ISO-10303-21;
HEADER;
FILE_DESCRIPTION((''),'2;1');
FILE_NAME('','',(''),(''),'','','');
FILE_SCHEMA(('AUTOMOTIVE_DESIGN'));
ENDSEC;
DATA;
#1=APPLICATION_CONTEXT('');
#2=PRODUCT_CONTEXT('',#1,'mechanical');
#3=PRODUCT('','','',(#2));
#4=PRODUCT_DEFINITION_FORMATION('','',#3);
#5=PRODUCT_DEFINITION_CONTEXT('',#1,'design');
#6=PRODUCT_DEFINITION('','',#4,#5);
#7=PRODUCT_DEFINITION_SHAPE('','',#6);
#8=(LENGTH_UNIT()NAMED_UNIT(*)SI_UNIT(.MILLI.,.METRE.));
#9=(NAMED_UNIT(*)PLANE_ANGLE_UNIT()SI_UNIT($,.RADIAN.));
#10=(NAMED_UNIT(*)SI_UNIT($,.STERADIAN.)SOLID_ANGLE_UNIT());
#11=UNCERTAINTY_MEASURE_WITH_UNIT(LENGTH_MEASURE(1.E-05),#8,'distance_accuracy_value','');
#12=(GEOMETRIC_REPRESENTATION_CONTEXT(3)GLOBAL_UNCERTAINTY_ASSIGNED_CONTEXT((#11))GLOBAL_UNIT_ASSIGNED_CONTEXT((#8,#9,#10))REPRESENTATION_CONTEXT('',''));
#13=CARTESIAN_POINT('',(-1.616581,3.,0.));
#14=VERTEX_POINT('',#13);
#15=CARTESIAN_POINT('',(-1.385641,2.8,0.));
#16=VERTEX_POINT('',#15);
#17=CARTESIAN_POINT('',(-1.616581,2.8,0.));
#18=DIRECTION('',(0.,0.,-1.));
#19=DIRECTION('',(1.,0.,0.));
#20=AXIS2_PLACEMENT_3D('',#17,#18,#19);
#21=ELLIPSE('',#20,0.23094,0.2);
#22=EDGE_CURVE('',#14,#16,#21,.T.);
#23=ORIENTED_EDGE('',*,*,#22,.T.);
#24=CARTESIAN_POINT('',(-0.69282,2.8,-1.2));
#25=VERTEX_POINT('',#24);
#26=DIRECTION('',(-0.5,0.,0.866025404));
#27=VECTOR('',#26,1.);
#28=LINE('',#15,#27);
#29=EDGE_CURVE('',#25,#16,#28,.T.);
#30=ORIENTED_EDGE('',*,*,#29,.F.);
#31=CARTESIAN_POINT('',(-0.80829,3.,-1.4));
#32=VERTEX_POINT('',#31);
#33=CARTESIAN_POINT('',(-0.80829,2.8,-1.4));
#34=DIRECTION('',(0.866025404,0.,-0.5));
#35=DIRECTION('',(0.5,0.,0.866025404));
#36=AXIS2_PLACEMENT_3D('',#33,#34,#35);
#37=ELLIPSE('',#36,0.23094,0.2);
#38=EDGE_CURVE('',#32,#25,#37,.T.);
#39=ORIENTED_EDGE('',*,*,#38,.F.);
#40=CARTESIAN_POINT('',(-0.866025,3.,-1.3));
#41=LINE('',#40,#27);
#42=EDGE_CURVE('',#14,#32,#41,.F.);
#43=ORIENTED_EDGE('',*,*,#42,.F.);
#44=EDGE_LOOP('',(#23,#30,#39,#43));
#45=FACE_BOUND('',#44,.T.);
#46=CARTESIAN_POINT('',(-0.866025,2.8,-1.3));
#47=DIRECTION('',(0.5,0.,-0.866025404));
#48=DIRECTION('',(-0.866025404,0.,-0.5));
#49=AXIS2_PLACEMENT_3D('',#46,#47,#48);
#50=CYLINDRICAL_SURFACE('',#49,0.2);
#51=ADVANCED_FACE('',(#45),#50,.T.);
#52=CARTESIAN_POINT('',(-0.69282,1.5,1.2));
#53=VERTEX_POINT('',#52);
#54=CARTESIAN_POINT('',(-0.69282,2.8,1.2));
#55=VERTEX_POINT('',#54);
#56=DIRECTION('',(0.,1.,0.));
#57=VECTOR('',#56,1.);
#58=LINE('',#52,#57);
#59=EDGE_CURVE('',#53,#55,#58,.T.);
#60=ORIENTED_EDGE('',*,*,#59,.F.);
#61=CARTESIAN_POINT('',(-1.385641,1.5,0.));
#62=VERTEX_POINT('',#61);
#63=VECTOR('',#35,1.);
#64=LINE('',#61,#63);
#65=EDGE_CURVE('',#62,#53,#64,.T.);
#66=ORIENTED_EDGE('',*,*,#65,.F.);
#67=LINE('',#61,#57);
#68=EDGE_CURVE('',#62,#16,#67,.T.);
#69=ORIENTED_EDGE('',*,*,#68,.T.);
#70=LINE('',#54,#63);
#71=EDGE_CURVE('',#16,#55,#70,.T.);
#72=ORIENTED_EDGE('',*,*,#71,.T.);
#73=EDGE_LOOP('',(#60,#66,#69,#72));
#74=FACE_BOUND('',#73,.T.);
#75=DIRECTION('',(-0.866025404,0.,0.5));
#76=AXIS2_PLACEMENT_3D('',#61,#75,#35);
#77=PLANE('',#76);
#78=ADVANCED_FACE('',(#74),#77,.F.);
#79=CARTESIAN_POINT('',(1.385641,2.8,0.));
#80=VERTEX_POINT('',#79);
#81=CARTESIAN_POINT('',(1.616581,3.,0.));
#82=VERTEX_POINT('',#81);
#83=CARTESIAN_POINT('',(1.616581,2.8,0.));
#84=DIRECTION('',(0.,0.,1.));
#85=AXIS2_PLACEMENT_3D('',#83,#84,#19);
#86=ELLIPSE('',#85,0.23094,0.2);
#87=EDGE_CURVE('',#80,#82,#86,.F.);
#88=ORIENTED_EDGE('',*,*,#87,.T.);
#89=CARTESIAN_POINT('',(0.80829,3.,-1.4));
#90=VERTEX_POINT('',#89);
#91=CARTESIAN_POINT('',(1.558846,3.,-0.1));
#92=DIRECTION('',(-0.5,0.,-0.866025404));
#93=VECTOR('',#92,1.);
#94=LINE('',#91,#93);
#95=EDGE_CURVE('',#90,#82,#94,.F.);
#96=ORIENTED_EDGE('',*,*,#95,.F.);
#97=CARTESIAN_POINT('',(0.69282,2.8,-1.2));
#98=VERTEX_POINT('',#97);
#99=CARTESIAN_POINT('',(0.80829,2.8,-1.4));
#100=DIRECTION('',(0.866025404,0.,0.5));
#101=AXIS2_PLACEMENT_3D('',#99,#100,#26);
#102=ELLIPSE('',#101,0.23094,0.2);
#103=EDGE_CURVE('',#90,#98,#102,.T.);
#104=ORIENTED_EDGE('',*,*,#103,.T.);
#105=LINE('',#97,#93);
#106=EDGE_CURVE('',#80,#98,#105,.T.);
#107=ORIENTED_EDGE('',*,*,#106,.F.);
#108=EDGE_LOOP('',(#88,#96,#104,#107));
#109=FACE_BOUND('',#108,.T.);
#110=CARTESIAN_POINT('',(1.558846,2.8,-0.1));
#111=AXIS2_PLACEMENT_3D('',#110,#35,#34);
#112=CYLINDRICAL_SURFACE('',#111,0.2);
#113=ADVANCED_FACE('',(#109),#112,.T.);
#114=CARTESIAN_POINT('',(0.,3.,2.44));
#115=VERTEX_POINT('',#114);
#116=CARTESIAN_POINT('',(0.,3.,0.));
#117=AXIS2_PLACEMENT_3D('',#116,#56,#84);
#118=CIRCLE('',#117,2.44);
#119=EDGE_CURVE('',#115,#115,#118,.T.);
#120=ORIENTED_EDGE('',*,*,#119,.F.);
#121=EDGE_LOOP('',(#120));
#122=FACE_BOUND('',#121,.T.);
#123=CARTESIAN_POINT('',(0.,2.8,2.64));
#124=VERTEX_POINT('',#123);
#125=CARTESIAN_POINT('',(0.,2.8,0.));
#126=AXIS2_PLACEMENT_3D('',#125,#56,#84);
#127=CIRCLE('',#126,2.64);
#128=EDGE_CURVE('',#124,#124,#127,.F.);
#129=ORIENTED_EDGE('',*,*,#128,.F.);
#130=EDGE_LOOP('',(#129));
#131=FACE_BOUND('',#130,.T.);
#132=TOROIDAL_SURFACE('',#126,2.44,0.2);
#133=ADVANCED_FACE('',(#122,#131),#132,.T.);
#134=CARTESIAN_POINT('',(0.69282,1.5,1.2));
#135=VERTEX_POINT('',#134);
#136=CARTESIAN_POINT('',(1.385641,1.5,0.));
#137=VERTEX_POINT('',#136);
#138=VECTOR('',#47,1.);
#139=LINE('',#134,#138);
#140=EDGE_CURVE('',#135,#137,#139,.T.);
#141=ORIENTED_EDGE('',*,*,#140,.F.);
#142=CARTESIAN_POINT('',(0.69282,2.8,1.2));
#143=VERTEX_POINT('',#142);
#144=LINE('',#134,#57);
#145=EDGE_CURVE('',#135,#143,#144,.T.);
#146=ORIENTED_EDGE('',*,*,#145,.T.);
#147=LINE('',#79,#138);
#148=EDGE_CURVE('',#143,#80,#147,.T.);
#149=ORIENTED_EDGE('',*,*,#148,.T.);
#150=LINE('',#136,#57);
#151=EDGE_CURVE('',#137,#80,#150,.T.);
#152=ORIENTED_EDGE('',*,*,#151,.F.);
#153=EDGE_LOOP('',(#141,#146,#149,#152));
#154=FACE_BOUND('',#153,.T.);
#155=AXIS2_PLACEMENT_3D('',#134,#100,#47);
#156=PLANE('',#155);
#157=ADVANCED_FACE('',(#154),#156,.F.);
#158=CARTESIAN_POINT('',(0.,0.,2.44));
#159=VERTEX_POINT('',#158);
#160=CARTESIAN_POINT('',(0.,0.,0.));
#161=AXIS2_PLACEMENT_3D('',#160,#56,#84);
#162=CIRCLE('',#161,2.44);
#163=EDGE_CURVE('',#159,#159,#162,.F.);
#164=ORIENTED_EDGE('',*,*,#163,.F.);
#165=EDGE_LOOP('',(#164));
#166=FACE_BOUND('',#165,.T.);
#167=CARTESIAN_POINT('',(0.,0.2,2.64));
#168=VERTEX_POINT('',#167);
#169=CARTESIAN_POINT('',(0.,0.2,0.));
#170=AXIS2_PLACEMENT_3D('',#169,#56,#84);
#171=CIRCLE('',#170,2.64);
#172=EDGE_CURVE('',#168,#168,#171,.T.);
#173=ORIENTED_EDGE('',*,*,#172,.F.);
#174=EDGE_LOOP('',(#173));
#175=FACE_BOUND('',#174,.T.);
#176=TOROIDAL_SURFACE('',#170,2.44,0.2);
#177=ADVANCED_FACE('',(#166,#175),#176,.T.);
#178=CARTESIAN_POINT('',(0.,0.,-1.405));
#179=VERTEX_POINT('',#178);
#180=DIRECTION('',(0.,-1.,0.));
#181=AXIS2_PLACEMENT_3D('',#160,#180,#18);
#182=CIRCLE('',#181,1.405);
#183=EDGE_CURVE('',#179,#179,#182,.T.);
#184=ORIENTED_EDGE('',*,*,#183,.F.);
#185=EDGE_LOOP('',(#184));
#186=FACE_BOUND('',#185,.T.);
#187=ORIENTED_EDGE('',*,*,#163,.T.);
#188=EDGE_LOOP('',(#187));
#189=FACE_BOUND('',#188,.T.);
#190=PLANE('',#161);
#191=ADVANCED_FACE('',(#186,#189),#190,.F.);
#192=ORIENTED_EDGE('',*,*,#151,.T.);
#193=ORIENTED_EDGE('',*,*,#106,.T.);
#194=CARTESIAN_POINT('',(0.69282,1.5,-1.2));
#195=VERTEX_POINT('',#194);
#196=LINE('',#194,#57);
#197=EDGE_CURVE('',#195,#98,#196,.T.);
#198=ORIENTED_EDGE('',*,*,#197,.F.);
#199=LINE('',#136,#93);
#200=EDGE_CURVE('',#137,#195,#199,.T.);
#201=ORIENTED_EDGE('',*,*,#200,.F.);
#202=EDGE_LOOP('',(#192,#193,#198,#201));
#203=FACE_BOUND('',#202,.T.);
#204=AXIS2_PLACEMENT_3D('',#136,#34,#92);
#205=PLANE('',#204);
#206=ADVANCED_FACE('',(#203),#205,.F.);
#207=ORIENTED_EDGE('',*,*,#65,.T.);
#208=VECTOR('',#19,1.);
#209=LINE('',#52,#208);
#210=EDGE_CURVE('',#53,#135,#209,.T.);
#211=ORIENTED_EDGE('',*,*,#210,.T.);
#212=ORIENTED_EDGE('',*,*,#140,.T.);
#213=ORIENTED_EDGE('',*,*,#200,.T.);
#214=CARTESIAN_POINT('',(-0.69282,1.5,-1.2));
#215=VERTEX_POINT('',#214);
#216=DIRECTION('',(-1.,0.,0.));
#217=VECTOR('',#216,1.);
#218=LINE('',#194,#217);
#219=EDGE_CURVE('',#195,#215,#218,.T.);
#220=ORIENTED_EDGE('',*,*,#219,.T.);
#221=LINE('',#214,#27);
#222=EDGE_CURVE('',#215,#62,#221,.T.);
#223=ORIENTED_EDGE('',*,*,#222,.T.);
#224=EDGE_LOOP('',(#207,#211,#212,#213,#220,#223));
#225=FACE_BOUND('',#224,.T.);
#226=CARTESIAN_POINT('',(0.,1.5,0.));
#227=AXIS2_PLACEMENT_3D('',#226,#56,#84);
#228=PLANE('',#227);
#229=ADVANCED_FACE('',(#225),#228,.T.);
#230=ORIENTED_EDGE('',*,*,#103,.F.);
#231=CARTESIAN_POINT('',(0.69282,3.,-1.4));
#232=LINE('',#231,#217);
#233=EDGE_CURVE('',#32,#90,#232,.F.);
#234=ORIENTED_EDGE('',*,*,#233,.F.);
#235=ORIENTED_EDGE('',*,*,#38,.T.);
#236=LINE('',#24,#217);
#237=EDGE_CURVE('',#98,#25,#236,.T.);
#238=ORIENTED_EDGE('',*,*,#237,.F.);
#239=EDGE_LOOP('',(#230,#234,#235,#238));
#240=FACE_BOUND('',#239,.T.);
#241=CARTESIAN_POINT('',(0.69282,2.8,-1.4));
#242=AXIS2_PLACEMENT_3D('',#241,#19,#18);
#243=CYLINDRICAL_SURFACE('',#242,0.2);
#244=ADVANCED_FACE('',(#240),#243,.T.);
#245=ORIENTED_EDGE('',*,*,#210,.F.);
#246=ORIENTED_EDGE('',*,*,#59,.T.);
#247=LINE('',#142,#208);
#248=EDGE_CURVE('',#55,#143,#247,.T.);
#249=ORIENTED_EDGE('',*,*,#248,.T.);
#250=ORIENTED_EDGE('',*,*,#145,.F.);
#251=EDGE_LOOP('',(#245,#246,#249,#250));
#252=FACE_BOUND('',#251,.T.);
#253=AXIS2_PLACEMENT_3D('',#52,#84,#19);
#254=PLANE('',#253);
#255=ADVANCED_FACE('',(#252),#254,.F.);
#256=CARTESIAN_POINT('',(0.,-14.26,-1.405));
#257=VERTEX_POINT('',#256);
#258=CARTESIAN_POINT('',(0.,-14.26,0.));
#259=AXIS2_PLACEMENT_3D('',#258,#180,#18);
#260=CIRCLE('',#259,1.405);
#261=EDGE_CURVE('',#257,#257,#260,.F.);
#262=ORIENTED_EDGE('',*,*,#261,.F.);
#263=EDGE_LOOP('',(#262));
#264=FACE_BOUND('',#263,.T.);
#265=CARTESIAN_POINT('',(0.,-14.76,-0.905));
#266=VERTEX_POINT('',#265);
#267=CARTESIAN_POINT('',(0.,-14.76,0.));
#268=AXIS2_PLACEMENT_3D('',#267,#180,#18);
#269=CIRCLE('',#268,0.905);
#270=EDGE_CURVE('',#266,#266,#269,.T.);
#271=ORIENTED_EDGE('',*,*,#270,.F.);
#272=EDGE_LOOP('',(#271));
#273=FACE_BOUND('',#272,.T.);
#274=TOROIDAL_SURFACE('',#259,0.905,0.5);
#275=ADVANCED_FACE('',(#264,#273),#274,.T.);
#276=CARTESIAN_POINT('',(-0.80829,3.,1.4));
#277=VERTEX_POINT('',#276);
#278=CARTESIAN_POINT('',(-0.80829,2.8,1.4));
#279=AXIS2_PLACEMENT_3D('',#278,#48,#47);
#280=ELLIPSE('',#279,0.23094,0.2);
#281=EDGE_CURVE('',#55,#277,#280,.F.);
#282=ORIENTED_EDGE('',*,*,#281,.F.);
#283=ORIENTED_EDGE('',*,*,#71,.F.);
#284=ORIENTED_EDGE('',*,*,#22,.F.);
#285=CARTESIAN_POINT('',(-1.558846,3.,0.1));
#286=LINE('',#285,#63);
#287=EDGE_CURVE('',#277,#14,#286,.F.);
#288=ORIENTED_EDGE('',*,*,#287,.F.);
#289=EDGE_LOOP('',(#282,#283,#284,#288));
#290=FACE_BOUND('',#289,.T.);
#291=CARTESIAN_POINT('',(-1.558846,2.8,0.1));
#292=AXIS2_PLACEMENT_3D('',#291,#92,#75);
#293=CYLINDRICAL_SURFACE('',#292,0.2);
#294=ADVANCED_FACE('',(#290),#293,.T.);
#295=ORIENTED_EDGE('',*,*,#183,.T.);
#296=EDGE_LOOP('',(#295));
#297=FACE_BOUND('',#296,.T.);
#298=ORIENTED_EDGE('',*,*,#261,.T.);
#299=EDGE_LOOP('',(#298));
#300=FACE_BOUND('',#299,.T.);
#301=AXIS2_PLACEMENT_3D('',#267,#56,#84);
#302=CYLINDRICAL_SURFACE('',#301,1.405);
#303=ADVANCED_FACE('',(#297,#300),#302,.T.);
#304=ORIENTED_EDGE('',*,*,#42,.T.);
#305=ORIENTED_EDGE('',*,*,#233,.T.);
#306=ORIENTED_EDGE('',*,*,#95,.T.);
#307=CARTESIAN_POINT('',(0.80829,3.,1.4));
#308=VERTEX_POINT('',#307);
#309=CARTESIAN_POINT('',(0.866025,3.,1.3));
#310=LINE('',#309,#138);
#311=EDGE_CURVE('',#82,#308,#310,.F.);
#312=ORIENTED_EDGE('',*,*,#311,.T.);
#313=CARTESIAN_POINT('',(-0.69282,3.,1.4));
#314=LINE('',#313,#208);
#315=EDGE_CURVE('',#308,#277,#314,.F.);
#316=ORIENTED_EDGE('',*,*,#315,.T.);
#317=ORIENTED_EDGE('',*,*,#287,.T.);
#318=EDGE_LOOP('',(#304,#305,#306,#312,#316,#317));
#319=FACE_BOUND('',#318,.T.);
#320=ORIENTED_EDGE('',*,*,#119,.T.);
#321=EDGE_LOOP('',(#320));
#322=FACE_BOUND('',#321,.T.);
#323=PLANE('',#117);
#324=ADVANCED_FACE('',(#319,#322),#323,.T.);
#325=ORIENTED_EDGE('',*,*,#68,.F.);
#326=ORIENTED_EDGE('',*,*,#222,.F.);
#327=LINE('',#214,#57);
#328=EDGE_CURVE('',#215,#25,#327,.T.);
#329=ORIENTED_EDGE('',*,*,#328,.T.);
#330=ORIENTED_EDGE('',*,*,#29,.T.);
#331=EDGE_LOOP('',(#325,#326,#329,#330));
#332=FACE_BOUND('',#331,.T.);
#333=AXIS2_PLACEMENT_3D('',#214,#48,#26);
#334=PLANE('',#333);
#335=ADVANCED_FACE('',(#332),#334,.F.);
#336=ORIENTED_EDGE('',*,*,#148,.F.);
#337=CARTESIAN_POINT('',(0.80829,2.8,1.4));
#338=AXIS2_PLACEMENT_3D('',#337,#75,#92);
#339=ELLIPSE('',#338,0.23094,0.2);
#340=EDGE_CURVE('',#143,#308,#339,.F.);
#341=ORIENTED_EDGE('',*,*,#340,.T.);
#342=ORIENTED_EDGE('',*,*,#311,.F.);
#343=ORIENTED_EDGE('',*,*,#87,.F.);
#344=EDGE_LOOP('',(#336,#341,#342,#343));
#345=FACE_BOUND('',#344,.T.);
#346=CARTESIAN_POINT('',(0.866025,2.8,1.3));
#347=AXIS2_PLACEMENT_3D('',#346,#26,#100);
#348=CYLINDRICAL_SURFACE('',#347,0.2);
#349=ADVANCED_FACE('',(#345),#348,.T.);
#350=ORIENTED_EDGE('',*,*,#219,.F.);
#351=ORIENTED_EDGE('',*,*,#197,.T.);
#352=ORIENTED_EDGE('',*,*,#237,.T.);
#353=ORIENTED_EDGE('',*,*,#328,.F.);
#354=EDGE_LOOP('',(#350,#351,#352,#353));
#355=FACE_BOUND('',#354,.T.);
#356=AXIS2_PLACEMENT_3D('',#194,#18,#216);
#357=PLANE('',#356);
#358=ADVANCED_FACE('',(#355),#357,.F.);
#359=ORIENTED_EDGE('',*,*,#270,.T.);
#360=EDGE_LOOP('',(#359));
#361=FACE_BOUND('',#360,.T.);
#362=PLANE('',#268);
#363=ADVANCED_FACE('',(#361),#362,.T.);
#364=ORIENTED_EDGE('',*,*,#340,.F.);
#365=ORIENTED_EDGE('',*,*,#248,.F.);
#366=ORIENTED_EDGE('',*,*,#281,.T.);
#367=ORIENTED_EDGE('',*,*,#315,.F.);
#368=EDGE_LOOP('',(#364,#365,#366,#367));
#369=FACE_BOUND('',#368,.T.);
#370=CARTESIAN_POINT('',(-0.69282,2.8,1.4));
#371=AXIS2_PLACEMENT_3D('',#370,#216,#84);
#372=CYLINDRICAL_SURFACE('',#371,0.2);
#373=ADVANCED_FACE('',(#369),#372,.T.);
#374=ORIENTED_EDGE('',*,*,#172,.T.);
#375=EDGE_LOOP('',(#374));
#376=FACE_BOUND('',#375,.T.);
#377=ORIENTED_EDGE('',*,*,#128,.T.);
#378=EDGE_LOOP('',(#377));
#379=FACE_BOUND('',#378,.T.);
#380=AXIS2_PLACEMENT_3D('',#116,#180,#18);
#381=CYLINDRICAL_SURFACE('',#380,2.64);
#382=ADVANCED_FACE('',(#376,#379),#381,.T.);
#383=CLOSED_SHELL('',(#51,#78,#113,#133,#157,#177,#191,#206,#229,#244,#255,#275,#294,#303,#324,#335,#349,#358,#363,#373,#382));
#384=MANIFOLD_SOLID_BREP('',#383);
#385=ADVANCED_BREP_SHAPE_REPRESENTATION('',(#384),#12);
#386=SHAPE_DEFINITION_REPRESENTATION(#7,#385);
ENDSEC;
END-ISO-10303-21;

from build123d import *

# Parameters (mm, degrees)
SKETCH1_R           = 2.64
BOSS_EXTRUDE1_DEPTH = 3
SKETCH2_R           = 1.405
BOSS_EXTRUDE2_DEPTH = 14.76
FILLET1_R           = 0.2
CUT_EXTRUDE1_DEPTH  = 1.5
FILLET2_R           = 0.2
FILLET3_R           = 0.5


with BuildPart() as part:
    # Sketch1 → Boss-Extrude1 (new body)
    with BuildSketch(Plane(origin=(0, 0, 0), x_dir=(1, 0, 0), z_dir=(0, 1, 0))):
        with Locations(Location((0, 0, 0), (0, 0, 270))):
            Circle(SKETCH1_R)
    extrude(amount=BOSS_EXTRUDE1_DEPTH)

    # Sketch2 → Boss-Extrude2 (add)
    with BuildSketch(Plane.XZ):
        with Locations(Location((0, 0, 0), (0, 0, 270))):
            Circle(SKETCH2_R)
    extrude(amount=BOSS_EXTRUDE2_DEPTH)

    # Fillet1
    fillet1_edges = [part.edges().sort_by_distance(p)[0] for p in [
        (0, 0, -2.64),
        (0, 3, -2.64),
    ]]
    fillet(fillet1_edges, radius=FILLET1_R)

    # Sketch3 → Cut-Extrude1 (cut)
    with BuildSketch(Plane(origin=(0, 3, 0), x_dir=(1, 0, 0), z_dir=(0, 1, 0))):
        Polygon((1.385640646, 0), (0.692820323, 1.2), (-0.692820323, 1.2), (-1.385640646, 0), (-0.692820323, -1.2), (0.692820323, -1.2), align=None)
    extrude(amount=-CUT_EXTRUDE1_DEPTH, mode=Mode.SUBTRACT)

    # Fillet2
    fillet2_edges = [part.edges().sort_by_distance(p)[0] for p in [
        (1.039230485, 3, 0.6),
        (1.039230485, 3, -0.6),
        (0, 3, -1.2),
        (-1.039230485, 3, -0.6),
        (-1.039230485, 3, 0.6),
        (0, 3, 1.2),
    ]]
    fillet(fillet2_edges, radius=FILLET2_R)

    # Fillet3
    fillet3_edges = [part.edges().sort_by_distance(p)[0] for p in [
        (0, -14.76, 1.405),
    ]]
    fillet(fillet3_edges, radius=FILLET3_R)


solid = part.part
